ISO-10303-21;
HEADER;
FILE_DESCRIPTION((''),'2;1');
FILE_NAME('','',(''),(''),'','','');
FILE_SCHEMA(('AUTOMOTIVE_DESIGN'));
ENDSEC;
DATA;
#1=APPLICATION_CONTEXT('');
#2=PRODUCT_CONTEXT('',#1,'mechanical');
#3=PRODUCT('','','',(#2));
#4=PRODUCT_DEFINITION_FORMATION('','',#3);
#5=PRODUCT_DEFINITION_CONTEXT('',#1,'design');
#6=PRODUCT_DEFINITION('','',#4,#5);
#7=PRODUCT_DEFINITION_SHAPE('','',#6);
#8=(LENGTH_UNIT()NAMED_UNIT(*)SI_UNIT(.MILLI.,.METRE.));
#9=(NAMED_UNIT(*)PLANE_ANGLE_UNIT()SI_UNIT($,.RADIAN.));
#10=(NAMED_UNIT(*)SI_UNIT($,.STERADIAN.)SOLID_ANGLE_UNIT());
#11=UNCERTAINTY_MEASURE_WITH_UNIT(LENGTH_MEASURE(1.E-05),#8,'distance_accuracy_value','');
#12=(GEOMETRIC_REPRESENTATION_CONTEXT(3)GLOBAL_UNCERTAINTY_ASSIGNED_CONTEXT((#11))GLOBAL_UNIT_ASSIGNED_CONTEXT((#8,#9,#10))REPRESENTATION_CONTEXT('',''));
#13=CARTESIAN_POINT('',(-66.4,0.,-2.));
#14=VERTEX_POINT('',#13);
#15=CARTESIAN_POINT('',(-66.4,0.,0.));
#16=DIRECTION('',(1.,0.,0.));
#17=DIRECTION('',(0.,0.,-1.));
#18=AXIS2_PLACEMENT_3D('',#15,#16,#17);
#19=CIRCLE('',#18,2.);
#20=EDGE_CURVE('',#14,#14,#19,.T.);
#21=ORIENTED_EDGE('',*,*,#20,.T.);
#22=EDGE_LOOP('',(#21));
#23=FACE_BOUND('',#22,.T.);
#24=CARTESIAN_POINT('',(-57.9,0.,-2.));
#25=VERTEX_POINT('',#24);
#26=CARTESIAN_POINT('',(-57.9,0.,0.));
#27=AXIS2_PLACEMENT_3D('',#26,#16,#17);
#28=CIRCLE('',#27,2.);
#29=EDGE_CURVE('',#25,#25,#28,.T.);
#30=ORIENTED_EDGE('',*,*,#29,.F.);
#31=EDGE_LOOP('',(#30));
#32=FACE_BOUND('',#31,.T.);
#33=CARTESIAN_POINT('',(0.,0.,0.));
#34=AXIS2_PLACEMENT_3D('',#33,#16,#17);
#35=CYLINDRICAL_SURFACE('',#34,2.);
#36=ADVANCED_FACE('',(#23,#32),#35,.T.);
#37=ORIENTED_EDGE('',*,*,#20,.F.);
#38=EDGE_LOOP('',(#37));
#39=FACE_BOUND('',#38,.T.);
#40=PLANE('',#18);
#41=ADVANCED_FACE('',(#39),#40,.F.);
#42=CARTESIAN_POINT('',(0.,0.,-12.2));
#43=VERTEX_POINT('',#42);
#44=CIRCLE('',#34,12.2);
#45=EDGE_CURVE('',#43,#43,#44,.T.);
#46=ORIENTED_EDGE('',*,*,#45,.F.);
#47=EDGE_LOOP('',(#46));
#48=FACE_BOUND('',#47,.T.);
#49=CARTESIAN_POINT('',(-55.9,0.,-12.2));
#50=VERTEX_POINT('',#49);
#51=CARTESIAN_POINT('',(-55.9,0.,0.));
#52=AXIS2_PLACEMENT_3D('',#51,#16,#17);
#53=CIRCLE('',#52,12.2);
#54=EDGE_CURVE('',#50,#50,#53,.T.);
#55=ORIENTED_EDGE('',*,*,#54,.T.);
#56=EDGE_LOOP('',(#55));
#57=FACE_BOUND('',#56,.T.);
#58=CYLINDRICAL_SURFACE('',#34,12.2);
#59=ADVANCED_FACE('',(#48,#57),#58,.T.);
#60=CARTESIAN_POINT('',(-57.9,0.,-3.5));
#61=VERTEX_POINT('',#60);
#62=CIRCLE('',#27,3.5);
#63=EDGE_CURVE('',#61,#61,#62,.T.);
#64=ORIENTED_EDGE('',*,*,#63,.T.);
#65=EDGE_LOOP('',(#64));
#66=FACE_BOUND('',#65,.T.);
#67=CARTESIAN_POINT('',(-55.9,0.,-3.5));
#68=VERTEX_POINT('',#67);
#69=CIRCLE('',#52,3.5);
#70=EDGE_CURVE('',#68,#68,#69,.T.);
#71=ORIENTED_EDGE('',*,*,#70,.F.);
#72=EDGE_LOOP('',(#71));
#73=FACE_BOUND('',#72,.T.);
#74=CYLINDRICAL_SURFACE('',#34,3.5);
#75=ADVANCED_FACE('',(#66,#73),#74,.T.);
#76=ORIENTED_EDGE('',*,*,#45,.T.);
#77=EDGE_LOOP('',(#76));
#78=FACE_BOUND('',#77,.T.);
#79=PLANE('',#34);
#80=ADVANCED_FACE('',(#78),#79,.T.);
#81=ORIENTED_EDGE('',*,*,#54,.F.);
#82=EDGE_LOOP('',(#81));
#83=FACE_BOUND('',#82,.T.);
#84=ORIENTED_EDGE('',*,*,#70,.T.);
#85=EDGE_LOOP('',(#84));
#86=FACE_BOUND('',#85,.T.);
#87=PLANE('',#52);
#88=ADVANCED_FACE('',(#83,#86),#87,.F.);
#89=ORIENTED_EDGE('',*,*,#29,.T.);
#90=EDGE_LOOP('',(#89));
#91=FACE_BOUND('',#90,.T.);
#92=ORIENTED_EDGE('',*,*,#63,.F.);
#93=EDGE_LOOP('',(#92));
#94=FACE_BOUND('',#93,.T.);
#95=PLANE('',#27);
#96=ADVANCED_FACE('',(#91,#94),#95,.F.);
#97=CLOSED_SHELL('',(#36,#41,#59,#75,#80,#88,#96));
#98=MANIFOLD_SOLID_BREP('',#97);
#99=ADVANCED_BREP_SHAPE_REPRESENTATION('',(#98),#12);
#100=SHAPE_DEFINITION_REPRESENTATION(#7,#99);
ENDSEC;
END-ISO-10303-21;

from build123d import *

# Parameters (mm, degrees)
SKICA2_W   = 8.5
SKICA2_H   = 2
SKICA2_W_2 = 55.9
SKICA2_H_2 = 12.2


with BuildPart() as part:
    # Skica2 → Rotovat1 (revolve)
    with BuildSketch(Plane.XY):
        with Locations((-62.15, 1)):
            Rectangle(SKICA2_W, SKICA2_H)
        Polygon((-57.9, 0), (-55.9, 0), (-55.9, 3.5), (-57.9, 3.5), (-57.9, 2), align=None)
        with Locations((-27.95, 6.1)):
            Rectangle(SKICA2_W_2, SKICA2_H_2)
    revolve(axis=Axis((0, 0, 0), (-1, 0, 0)))


solid = part.part
